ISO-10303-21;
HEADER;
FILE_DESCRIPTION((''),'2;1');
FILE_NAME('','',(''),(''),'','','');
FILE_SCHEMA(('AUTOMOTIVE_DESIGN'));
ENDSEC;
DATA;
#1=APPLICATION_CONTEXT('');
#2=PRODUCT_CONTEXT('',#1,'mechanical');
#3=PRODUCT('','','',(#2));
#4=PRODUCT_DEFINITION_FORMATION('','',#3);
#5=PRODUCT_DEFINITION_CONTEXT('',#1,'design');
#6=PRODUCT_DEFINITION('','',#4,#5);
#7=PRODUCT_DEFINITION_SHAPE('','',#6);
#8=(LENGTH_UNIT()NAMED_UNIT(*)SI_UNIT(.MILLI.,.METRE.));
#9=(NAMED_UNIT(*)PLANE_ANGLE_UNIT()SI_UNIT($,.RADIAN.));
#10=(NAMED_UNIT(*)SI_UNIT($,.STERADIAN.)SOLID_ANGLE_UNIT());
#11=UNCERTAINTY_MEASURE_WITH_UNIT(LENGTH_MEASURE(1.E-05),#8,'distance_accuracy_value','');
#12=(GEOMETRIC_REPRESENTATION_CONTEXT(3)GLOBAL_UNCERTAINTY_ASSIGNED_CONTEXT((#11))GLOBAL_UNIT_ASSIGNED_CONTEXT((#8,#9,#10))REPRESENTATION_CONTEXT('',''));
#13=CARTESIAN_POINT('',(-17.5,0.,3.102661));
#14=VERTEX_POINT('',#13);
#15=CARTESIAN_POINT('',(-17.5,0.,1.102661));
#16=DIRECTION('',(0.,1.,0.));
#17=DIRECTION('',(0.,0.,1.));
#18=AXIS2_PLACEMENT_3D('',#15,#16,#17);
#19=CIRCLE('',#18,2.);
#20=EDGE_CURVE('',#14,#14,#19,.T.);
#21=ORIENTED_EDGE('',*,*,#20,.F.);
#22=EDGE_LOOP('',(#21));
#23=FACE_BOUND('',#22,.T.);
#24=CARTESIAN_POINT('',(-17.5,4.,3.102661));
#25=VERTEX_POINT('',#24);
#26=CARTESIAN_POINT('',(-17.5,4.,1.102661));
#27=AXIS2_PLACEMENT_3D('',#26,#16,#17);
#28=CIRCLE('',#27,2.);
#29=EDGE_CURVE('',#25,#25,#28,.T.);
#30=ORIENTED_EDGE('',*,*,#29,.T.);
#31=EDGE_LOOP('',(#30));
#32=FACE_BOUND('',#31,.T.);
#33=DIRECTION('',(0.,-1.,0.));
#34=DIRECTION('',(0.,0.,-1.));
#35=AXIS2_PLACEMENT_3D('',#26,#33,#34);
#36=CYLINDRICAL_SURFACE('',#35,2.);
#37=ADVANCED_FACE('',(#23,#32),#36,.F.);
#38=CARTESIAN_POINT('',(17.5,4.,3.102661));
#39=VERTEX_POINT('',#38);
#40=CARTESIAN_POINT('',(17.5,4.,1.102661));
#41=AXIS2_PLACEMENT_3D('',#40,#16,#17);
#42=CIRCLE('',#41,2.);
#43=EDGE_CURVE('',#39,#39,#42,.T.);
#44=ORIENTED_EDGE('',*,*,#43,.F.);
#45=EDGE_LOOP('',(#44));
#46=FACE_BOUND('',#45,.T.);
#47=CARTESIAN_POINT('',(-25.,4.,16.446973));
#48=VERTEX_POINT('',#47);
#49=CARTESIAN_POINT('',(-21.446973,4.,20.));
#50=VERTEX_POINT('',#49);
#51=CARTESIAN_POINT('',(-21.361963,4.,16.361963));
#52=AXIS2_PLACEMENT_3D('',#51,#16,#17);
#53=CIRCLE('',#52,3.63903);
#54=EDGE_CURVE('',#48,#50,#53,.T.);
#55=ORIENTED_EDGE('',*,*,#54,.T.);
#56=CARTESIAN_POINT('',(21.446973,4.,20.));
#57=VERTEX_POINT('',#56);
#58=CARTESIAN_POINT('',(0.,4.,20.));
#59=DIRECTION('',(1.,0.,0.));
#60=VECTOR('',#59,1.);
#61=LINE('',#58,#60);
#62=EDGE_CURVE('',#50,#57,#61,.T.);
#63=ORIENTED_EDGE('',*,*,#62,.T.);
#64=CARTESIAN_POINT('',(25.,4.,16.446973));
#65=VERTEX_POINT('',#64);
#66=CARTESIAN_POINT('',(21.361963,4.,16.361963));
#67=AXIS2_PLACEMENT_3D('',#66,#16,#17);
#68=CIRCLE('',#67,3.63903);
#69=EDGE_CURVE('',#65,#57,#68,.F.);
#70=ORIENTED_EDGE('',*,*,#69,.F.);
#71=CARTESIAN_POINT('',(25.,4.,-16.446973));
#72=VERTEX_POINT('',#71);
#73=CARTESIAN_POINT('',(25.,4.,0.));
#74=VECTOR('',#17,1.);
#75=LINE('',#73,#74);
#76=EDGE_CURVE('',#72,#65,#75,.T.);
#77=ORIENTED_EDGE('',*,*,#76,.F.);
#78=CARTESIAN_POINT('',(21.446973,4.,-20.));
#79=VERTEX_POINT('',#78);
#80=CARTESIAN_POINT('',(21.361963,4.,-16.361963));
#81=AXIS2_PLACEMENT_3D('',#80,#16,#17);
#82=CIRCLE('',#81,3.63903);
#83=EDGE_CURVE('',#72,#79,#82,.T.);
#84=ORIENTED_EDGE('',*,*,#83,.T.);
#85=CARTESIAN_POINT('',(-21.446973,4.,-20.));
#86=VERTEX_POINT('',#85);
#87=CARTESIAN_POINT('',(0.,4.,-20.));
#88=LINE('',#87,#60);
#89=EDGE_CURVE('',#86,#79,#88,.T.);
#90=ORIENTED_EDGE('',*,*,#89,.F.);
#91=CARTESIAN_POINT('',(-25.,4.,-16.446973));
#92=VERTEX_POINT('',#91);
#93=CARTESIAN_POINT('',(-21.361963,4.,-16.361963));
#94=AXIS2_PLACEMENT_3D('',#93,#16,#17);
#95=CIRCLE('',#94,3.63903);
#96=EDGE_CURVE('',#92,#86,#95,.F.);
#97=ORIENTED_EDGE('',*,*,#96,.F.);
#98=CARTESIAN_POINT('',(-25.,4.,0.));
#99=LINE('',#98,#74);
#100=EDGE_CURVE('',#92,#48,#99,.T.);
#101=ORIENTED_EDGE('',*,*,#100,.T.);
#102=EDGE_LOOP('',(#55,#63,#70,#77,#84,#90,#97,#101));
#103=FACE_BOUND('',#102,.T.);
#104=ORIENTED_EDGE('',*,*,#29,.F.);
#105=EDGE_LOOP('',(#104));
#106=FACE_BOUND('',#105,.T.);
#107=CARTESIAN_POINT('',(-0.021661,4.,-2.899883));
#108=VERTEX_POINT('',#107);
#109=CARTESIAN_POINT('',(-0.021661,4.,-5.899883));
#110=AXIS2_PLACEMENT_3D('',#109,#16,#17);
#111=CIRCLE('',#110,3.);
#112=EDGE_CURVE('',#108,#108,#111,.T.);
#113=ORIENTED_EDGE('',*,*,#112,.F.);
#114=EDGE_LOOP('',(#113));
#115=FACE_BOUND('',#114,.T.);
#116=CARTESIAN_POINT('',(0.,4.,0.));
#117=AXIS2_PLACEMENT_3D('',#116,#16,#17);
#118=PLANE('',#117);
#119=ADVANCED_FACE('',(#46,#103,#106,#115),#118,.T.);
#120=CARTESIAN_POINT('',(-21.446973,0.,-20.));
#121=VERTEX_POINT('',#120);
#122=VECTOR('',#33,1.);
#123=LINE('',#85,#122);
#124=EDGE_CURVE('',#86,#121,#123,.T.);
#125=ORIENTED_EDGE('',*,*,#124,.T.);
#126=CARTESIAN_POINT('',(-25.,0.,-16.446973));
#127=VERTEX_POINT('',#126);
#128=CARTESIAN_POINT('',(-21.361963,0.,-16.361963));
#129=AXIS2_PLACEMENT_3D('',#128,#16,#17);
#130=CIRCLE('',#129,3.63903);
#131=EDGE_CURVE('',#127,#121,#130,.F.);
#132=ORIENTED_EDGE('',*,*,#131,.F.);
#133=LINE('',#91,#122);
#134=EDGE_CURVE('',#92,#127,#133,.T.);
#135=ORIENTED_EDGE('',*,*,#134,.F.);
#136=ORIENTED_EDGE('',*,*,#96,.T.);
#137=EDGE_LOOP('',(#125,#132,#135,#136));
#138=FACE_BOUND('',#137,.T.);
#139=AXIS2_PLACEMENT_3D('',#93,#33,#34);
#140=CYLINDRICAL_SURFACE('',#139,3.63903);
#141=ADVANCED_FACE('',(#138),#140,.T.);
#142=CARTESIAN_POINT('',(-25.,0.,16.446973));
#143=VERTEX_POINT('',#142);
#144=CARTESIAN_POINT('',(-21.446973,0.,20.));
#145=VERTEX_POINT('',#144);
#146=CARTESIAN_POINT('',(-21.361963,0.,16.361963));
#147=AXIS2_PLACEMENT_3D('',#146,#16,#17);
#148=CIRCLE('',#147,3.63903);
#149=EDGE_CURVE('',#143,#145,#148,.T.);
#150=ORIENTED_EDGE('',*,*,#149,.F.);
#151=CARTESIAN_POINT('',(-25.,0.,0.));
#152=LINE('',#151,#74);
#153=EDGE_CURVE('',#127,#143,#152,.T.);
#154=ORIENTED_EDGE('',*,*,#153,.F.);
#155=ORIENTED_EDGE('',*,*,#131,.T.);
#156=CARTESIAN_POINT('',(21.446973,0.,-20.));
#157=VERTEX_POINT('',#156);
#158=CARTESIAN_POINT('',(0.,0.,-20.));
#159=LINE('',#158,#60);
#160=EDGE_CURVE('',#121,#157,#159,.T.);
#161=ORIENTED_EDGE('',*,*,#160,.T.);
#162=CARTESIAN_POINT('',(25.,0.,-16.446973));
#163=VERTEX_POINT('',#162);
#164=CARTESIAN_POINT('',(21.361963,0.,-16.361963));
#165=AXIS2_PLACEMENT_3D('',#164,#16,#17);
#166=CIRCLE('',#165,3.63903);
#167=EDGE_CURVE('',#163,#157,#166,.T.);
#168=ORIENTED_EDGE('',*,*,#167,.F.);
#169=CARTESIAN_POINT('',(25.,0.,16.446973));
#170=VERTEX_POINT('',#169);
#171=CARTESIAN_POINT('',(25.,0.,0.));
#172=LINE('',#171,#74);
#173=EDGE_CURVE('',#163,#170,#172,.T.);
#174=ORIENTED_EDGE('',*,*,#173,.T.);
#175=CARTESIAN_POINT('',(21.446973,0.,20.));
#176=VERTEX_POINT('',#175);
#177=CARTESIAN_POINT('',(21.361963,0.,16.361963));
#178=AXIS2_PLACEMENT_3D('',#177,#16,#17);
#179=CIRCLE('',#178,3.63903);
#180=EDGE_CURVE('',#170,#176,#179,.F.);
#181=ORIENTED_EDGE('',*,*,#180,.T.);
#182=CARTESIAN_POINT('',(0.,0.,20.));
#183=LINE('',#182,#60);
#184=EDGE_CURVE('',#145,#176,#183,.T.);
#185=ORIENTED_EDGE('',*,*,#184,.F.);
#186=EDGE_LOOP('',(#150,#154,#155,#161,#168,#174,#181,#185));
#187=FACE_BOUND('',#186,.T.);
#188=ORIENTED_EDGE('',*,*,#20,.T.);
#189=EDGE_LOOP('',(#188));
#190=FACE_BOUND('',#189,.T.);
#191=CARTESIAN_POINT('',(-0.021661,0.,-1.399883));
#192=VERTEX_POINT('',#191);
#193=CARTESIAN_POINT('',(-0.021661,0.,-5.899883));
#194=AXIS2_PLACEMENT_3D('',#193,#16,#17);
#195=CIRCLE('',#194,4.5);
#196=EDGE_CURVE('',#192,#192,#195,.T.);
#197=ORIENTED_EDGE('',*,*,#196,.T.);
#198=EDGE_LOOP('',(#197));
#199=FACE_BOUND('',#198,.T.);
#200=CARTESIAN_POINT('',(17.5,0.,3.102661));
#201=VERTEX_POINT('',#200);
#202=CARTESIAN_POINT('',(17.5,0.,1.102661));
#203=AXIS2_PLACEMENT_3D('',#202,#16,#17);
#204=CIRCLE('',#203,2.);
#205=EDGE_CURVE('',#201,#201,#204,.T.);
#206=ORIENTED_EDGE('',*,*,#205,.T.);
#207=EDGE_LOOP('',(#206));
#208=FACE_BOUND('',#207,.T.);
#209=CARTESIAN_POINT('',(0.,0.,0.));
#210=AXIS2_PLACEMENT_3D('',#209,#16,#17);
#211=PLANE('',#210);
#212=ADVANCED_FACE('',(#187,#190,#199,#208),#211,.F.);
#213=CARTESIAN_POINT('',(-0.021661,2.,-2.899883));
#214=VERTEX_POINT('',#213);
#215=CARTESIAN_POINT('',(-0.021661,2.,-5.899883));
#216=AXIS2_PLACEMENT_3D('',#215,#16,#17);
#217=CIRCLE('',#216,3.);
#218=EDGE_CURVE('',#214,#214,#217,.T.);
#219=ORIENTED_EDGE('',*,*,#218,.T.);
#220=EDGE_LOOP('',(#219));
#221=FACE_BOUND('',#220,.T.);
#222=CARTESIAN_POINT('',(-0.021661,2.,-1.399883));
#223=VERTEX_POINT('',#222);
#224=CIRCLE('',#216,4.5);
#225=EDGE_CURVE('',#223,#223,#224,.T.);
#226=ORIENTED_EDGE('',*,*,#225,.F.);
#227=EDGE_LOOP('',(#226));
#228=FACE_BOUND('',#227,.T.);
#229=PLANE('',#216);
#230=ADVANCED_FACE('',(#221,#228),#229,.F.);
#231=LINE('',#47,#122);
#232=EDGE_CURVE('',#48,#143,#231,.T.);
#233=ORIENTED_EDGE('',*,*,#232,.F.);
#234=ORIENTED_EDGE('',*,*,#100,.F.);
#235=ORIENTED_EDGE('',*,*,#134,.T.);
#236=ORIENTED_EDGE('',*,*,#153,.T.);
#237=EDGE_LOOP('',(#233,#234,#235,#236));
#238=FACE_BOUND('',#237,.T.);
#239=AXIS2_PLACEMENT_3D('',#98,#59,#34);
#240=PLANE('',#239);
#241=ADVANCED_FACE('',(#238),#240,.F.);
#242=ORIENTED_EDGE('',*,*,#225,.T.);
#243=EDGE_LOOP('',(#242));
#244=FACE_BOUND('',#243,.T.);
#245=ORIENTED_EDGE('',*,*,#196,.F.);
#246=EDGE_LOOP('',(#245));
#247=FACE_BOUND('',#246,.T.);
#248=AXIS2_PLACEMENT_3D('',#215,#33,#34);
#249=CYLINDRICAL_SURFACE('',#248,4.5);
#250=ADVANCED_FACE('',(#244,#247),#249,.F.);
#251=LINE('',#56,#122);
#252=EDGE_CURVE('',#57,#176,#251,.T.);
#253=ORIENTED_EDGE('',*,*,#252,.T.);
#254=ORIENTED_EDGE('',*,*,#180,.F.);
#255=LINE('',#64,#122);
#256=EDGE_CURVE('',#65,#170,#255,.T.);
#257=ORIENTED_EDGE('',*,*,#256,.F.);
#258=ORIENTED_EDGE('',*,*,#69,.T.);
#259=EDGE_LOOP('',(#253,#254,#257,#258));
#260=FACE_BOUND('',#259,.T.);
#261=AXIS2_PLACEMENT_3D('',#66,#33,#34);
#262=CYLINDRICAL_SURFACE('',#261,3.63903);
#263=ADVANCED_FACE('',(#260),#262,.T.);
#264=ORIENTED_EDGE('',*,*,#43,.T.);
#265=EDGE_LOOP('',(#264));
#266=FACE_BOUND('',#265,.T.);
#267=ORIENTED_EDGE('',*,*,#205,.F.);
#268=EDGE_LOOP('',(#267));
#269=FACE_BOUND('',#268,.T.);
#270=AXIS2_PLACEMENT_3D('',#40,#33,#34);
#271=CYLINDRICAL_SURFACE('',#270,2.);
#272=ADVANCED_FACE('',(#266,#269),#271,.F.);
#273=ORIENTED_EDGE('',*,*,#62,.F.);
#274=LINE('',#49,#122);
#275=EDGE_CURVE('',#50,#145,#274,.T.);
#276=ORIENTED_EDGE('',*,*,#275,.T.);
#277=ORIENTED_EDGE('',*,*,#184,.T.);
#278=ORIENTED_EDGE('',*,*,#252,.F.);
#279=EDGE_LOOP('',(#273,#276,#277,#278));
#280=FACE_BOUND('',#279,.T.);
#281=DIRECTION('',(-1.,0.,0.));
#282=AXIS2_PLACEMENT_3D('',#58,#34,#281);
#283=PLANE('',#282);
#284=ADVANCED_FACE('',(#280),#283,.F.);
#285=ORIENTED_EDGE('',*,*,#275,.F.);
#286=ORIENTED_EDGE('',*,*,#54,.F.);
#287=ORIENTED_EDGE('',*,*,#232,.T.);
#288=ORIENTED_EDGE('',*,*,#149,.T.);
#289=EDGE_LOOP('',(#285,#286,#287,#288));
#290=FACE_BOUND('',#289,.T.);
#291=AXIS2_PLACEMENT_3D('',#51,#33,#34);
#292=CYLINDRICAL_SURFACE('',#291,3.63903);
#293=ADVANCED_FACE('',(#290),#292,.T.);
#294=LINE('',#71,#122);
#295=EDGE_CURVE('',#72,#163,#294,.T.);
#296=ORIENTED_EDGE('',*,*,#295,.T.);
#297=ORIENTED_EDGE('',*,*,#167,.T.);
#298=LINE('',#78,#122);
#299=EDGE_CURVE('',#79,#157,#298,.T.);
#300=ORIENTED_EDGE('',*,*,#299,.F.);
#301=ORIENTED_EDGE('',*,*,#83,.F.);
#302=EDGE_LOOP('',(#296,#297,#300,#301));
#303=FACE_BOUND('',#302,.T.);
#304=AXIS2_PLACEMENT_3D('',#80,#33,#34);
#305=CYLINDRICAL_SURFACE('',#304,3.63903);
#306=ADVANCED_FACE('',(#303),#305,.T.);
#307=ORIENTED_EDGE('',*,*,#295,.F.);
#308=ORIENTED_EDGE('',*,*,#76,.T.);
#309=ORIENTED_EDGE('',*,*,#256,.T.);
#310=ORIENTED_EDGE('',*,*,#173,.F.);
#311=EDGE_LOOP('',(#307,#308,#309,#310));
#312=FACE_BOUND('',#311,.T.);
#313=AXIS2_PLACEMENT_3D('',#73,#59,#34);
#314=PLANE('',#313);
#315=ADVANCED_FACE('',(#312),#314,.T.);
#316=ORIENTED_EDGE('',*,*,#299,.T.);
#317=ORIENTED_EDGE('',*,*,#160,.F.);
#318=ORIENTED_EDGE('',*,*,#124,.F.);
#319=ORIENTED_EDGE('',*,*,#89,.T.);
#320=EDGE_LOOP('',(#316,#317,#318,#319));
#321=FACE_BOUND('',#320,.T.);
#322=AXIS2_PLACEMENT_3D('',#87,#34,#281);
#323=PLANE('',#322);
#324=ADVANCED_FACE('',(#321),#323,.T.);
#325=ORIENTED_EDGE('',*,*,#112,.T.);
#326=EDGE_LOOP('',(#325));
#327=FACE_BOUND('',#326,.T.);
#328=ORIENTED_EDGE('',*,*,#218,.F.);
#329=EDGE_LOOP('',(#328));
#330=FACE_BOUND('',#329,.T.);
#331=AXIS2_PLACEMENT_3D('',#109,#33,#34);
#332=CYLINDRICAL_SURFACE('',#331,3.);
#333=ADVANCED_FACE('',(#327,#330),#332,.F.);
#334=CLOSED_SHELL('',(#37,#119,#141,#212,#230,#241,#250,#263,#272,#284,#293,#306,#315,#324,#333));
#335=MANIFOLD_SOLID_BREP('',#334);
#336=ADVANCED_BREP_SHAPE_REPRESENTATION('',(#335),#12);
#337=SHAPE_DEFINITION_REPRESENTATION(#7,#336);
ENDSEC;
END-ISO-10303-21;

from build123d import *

# Parameters (mm, degrees)
SKETCH1_R           = 2
BOSS_EXTRUDE2_DEPTH = 4
SKETCH1_14_R        = 3
CUT_EXTRUDE2_DEPTH  = 33.26453161
SKETCH1_15_R        = 4.5
CUT_EXTRUDE3_DEPTH  = 2


with BuildPart() as part:
    # Sketch1 → Boss-Extrude2 (new body)
    with BuildSketch(Plane(origin=(0, 0, 0), x_dir=(1, 0, 0), z_dir=(0, 1, 0))):
        with BuildLine():
            Line((21.446973136, 20), (-21.446973136, 20))
            ThreePointArc((-21.446973136, 20), (-23.935145745, 18.935145745), (-25, 16.446973136))
            Line((-25, 16.446973136), (-25, -16.446973136))
            ThreePointArc((-25, -16.446973136), (-23.935145745, -18.935145745), (-21.446973136, -20))
            Line((-21.446973136, -20), (21.446973136, -20))
            ThreePointArc((21.446973136, -20), (23.935145745, -18.935145745), (25, -16.446973136))
            Line((25, -16.446973136), (25, 16.446973136))
            ThreePointArc((25, 16.446973136), (23.935145745, 18.935145745), (21.446973136, 20))
        make_face()
        with Locations((-17.5, -1.102660735)):
            Circle(SKETCH1_R, mode=Mode.SUBTRACT)
        with Locations((17.5, -1.102660735)):
            Circle(SKETCH1_R, mode=Mode.SUBTRACT)
    extrude(amount=BOSS_EXTRUDE2_DEPTH)

    # Sketch1<14> → Cut-Extrude2 (cut, through all)
    with BuildSketch(Plane(origin=(0, 0, 0), x_dir=(1, 0, 0), z_dir=(0, 1, 0))):
        with Locations((-0.021660512, 5.8998827)):
            Circle(SKETCH1_14_R)
    extrude(amount=CUT_EXTRUDE2_DEPTH, mode=Mode.SUBTRACT)

    # Sketch1<15> → Cut-Extrude3 (cut)
    with BuildSketch(Plane(origin=(0, 0, 0), x_dir=(1, 0, 0), z_dir=(0, 1, 0))):
        with Locations((-0.021660512, 5.8998827)):
            Circle(SKETCH1_15_R)
    extrude(amount=CUT_EXTRUDE3_DEPTH, mode=Mode.SUBTRACT)


solid = part.part
